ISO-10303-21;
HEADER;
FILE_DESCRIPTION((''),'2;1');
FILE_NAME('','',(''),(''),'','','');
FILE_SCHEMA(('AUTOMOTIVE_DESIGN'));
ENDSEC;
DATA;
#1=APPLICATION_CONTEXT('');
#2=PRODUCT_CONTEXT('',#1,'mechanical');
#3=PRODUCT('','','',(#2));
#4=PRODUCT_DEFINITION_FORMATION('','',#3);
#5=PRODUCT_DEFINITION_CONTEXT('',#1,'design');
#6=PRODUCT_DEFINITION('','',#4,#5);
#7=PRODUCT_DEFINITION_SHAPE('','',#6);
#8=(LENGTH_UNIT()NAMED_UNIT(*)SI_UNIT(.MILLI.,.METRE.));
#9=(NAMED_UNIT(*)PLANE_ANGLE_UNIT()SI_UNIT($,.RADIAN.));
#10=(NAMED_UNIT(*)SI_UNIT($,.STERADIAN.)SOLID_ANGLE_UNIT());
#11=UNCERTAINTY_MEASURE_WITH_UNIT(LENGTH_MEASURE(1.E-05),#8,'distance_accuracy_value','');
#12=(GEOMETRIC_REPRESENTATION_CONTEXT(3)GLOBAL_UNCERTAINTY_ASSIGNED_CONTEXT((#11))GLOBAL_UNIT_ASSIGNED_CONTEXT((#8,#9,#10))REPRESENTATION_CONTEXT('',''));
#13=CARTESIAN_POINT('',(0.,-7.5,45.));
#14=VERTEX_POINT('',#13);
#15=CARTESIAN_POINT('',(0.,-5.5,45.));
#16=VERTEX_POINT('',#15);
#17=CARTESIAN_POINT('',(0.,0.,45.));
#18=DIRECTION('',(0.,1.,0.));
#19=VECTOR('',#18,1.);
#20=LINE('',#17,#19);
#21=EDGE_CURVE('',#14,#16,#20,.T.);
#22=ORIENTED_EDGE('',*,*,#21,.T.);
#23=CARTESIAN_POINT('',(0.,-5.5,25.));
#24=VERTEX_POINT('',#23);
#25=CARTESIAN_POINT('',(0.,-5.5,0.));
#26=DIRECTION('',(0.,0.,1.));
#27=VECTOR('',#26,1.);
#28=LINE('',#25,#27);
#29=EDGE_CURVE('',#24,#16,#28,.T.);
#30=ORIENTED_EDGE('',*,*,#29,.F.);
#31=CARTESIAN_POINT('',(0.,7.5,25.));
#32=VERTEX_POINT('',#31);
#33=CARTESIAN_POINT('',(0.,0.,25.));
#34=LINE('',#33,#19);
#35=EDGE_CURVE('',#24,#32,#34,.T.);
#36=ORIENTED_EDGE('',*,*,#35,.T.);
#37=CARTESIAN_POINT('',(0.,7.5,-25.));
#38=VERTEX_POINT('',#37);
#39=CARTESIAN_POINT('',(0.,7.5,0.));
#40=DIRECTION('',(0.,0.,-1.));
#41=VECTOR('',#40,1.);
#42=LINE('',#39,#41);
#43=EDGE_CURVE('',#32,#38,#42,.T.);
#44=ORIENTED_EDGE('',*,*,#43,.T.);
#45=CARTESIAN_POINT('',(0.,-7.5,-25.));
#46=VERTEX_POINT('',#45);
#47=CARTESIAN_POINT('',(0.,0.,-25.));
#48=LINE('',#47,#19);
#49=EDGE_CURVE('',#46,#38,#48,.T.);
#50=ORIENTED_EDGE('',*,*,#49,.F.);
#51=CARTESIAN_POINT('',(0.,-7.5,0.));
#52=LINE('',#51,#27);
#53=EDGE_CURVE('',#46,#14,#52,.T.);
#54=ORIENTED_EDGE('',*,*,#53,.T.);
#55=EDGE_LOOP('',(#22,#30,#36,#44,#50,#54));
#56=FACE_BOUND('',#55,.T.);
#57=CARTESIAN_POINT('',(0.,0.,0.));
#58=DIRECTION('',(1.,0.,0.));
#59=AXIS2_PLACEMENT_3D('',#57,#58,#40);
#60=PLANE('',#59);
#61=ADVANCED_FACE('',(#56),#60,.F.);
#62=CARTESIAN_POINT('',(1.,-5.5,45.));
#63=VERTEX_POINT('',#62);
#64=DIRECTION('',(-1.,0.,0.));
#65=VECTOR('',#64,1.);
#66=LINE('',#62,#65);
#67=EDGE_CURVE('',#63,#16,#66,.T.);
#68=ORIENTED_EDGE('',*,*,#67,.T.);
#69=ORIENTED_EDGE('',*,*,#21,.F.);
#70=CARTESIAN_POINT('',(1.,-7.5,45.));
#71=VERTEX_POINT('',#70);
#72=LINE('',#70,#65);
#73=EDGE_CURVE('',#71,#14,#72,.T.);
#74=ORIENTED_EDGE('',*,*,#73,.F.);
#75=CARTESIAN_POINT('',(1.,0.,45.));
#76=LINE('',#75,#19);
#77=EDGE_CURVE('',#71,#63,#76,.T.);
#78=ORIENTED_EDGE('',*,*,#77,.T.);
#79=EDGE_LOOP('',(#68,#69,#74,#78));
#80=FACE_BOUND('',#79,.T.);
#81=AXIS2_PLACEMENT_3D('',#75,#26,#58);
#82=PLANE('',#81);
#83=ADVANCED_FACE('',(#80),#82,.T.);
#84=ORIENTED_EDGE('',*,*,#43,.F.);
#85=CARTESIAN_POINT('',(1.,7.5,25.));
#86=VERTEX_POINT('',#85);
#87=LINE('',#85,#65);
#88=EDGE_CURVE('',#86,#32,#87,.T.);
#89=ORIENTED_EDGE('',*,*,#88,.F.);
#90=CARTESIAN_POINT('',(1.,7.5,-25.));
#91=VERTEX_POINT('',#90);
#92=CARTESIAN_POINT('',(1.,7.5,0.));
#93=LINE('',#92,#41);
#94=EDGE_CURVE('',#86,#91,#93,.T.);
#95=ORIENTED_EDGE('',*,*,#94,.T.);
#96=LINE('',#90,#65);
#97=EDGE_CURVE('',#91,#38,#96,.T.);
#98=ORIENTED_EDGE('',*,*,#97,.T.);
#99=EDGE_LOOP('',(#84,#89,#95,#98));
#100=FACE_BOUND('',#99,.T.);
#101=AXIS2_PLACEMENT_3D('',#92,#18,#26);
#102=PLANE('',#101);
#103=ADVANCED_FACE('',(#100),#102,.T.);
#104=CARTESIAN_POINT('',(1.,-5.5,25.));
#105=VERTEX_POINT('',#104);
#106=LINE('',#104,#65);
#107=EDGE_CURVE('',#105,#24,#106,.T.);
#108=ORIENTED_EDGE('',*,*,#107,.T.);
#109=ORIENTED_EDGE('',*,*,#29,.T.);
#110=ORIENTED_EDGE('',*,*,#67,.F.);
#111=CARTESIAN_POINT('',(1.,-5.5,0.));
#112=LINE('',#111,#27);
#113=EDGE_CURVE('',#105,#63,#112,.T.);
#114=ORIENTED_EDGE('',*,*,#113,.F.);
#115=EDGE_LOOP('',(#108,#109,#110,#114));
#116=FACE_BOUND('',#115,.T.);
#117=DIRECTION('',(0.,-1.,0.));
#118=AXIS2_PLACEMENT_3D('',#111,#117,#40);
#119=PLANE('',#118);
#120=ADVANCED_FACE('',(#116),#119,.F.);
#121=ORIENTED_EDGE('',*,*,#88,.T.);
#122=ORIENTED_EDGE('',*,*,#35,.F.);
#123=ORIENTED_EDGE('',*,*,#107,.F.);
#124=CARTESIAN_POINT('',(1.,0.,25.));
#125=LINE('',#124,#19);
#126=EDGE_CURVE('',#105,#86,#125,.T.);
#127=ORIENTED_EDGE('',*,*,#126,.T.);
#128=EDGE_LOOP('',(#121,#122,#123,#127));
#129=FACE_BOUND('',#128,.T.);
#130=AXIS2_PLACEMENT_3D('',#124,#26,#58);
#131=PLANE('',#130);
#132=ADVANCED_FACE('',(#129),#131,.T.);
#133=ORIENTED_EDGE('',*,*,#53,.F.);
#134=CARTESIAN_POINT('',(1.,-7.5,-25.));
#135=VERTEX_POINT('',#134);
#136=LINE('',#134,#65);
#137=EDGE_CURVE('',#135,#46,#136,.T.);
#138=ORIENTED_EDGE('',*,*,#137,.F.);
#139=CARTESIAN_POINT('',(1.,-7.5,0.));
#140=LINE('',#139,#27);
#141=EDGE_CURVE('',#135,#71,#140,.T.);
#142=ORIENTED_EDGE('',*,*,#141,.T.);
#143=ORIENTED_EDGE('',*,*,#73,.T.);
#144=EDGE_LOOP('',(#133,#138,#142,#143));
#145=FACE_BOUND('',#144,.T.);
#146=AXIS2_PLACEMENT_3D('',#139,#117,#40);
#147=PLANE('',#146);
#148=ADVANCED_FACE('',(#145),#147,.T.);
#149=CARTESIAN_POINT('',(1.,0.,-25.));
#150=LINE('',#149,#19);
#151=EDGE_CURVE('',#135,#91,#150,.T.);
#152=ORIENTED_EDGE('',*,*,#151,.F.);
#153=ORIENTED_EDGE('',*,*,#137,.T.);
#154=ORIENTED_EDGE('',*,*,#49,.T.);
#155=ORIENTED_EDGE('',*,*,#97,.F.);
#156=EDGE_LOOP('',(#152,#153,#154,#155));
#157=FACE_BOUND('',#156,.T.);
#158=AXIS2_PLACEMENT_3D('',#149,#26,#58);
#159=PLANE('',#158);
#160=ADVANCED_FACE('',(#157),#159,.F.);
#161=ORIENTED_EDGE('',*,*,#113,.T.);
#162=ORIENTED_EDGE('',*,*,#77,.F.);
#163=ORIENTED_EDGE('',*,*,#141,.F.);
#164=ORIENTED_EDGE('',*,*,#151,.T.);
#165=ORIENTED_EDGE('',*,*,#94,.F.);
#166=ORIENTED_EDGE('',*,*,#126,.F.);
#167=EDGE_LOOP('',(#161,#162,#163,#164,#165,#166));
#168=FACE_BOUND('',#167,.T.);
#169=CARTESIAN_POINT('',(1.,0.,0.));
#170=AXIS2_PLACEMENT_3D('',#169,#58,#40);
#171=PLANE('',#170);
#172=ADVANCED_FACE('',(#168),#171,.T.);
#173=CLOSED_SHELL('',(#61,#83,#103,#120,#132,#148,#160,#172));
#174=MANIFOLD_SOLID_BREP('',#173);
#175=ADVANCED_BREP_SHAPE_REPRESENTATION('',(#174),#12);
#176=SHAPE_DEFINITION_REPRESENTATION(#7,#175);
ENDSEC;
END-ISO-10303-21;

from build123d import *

# Parameters (mm, degrees)
CROQUIS1_W              = 20
CROQUIS1_H              = 2
CROQUIS1_W_2            = 50
CROQUIS1_H_2            = 15
SALIENTE_EXTRUIR1_DEPTH = 1


with BuildPart() as part:
    # Croquis1 → Saliente-Extruir1 (new body)
    with BuildSketch(Plane(origin=(0, 0, 0), x_dir=(0, 0, -1), z_dir=(1, 0, 0))):
        with Locations((-35, -6.5)):
            Rectangle(CROQUIS1_W, CROQUIS1_H)
        Rectangle(CROQUIS1_W_2, CROQUIS1_H_2)
    extrude(amount=SALIENTE_EXTRUIR1_DEPTH)


solid = part.part
